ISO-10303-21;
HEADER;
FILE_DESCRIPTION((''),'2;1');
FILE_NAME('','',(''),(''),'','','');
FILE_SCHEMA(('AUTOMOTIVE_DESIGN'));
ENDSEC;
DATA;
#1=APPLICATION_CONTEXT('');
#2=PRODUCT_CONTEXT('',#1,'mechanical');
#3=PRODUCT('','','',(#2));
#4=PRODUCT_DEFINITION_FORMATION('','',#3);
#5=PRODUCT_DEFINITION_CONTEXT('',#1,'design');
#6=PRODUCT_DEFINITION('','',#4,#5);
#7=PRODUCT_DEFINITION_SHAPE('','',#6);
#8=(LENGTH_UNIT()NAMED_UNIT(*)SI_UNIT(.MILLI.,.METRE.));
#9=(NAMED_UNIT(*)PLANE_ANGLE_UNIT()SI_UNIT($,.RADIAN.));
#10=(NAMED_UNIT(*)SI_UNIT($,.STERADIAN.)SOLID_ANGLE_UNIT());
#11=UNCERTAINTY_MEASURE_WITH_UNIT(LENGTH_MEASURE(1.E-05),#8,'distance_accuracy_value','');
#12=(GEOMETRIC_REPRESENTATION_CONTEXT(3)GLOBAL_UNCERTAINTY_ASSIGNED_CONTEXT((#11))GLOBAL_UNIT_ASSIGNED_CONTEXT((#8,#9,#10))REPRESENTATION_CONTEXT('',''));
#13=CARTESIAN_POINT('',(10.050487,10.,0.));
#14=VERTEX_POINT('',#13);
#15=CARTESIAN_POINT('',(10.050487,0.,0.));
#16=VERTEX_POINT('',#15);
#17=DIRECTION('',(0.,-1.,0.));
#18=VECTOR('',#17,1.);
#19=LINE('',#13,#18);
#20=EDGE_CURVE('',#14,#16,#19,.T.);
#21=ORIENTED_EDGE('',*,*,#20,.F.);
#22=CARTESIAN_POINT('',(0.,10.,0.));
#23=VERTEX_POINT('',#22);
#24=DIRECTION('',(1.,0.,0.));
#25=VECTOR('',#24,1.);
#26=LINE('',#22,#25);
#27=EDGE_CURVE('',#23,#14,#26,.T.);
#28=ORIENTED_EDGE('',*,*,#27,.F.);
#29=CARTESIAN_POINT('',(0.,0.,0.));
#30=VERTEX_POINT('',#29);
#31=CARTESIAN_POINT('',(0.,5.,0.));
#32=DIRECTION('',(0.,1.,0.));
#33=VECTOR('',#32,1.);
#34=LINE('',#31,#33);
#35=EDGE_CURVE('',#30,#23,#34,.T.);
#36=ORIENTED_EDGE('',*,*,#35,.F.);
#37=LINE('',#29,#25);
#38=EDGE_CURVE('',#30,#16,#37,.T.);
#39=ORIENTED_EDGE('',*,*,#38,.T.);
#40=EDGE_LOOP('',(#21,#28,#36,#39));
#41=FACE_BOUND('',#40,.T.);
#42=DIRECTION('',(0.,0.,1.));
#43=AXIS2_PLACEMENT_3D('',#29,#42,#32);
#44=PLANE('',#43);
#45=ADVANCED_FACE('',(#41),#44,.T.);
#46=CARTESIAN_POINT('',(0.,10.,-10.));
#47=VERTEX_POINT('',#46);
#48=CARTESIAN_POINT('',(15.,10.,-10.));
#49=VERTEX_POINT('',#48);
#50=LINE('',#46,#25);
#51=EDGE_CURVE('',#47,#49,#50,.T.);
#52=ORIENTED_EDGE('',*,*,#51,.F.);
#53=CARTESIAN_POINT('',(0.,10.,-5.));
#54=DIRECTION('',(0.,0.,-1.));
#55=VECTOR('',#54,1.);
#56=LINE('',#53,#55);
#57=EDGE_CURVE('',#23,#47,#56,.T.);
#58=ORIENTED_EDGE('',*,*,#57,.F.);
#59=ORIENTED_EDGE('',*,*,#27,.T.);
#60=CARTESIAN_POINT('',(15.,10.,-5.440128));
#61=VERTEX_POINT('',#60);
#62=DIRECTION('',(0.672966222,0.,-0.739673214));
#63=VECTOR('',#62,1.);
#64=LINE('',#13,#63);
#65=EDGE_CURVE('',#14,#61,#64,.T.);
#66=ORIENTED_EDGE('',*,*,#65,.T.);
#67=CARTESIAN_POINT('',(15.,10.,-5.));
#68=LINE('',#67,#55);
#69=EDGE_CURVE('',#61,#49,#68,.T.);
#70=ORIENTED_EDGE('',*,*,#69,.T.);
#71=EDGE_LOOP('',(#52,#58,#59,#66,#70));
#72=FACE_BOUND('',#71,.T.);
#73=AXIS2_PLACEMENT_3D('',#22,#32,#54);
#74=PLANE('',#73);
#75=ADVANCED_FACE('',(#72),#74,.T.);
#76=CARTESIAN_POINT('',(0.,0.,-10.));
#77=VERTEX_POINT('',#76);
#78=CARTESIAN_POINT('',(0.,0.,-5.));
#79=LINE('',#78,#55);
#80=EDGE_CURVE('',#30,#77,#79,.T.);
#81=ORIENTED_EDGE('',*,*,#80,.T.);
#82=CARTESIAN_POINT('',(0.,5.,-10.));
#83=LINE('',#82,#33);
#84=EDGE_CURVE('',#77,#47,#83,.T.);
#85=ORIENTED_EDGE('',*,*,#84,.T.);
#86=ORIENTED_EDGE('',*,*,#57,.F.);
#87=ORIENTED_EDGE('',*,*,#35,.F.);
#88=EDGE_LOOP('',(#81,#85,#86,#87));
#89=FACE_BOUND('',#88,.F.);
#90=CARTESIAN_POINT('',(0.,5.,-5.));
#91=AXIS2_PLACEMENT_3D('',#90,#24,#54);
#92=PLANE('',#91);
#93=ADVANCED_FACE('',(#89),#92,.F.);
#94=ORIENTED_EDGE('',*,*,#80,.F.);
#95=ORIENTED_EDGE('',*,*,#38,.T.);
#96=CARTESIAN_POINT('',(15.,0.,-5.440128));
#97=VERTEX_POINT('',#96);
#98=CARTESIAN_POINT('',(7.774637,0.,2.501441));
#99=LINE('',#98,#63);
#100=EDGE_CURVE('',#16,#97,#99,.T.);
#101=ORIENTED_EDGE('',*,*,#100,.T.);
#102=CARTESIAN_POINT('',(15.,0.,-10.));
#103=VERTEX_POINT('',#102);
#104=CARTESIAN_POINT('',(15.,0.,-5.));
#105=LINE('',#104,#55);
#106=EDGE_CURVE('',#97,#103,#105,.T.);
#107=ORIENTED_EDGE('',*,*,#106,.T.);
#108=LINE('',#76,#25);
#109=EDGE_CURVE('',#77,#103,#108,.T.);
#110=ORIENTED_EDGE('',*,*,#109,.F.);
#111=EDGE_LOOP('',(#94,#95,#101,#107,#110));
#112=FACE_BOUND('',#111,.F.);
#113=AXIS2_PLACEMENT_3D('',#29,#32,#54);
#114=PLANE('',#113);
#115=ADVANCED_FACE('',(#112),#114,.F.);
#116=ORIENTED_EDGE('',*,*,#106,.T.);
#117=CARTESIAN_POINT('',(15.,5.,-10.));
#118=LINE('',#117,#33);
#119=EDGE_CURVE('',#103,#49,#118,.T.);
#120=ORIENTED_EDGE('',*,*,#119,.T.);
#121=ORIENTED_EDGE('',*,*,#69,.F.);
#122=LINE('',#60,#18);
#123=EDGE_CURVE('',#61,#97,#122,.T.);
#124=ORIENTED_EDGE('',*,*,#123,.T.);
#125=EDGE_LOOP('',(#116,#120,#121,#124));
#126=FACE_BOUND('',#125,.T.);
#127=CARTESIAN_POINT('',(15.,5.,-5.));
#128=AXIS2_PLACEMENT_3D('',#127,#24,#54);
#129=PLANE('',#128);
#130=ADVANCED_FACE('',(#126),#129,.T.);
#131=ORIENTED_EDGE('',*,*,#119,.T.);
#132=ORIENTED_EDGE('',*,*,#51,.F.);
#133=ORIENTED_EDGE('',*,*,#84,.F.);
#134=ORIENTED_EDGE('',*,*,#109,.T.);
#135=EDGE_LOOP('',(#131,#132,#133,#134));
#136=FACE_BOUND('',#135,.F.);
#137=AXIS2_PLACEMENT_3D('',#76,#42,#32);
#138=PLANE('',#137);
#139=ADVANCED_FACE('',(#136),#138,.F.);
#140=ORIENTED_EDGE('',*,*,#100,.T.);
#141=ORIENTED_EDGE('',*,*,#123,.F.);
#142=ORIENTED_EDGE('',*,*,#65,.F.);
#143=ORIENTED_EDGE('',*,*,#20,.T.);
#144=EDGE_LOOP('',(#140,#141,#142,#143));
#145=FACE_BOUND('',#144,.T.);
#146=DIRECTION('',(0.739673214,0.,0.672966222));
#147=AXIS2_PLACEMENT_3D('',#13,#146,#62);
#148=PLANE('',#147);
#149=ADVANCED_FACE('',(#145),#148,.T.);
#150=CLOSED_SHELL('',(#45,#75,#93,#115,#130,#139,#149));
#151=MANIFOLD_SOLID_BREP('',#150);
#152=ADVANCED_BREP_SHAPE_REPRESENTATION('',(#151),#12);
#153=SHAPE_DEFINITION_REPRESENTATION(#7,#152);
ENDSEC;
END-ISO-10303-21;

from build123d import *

# Parameters (mm, degrees)
SKETCH_1_W          = 10
SKETCH_1_H          = 10
EXTRUDE_1_DEPTH     = 15
CUT_EXTRUDE_1_DEPTH = 15


with BuildPart() as part:
    # Эскиз1 → Бобышка-Вытянуть1 (new body)
    with BuildSketch(Plane(origin=(0, 0, 0), x_dir=(0, 0, -1), z_dir=(1, 0, 0))):
        with Locations((5, 5)):
            Rectangle(SKETCH_1_W, SKETCH_1_H)
    extrude(amount=EXTRUDE_1_DEPTH)

    # Эскиз2 → Вырез-Вытянуть1 (cut)
    with BuildSketch(Plane(origin=(0, 10, 0), x_dir=(1, 0, 0), z_dir=(0, 1, 0))):
        Polygon((10.050486539, 0), (15, 5.440128208), (15, 0), align=None)
    extrude(amount=-CUT_EXTRUDE_1_DEPTH, mode=Mode.SUBTRACT)


solid = part.part
